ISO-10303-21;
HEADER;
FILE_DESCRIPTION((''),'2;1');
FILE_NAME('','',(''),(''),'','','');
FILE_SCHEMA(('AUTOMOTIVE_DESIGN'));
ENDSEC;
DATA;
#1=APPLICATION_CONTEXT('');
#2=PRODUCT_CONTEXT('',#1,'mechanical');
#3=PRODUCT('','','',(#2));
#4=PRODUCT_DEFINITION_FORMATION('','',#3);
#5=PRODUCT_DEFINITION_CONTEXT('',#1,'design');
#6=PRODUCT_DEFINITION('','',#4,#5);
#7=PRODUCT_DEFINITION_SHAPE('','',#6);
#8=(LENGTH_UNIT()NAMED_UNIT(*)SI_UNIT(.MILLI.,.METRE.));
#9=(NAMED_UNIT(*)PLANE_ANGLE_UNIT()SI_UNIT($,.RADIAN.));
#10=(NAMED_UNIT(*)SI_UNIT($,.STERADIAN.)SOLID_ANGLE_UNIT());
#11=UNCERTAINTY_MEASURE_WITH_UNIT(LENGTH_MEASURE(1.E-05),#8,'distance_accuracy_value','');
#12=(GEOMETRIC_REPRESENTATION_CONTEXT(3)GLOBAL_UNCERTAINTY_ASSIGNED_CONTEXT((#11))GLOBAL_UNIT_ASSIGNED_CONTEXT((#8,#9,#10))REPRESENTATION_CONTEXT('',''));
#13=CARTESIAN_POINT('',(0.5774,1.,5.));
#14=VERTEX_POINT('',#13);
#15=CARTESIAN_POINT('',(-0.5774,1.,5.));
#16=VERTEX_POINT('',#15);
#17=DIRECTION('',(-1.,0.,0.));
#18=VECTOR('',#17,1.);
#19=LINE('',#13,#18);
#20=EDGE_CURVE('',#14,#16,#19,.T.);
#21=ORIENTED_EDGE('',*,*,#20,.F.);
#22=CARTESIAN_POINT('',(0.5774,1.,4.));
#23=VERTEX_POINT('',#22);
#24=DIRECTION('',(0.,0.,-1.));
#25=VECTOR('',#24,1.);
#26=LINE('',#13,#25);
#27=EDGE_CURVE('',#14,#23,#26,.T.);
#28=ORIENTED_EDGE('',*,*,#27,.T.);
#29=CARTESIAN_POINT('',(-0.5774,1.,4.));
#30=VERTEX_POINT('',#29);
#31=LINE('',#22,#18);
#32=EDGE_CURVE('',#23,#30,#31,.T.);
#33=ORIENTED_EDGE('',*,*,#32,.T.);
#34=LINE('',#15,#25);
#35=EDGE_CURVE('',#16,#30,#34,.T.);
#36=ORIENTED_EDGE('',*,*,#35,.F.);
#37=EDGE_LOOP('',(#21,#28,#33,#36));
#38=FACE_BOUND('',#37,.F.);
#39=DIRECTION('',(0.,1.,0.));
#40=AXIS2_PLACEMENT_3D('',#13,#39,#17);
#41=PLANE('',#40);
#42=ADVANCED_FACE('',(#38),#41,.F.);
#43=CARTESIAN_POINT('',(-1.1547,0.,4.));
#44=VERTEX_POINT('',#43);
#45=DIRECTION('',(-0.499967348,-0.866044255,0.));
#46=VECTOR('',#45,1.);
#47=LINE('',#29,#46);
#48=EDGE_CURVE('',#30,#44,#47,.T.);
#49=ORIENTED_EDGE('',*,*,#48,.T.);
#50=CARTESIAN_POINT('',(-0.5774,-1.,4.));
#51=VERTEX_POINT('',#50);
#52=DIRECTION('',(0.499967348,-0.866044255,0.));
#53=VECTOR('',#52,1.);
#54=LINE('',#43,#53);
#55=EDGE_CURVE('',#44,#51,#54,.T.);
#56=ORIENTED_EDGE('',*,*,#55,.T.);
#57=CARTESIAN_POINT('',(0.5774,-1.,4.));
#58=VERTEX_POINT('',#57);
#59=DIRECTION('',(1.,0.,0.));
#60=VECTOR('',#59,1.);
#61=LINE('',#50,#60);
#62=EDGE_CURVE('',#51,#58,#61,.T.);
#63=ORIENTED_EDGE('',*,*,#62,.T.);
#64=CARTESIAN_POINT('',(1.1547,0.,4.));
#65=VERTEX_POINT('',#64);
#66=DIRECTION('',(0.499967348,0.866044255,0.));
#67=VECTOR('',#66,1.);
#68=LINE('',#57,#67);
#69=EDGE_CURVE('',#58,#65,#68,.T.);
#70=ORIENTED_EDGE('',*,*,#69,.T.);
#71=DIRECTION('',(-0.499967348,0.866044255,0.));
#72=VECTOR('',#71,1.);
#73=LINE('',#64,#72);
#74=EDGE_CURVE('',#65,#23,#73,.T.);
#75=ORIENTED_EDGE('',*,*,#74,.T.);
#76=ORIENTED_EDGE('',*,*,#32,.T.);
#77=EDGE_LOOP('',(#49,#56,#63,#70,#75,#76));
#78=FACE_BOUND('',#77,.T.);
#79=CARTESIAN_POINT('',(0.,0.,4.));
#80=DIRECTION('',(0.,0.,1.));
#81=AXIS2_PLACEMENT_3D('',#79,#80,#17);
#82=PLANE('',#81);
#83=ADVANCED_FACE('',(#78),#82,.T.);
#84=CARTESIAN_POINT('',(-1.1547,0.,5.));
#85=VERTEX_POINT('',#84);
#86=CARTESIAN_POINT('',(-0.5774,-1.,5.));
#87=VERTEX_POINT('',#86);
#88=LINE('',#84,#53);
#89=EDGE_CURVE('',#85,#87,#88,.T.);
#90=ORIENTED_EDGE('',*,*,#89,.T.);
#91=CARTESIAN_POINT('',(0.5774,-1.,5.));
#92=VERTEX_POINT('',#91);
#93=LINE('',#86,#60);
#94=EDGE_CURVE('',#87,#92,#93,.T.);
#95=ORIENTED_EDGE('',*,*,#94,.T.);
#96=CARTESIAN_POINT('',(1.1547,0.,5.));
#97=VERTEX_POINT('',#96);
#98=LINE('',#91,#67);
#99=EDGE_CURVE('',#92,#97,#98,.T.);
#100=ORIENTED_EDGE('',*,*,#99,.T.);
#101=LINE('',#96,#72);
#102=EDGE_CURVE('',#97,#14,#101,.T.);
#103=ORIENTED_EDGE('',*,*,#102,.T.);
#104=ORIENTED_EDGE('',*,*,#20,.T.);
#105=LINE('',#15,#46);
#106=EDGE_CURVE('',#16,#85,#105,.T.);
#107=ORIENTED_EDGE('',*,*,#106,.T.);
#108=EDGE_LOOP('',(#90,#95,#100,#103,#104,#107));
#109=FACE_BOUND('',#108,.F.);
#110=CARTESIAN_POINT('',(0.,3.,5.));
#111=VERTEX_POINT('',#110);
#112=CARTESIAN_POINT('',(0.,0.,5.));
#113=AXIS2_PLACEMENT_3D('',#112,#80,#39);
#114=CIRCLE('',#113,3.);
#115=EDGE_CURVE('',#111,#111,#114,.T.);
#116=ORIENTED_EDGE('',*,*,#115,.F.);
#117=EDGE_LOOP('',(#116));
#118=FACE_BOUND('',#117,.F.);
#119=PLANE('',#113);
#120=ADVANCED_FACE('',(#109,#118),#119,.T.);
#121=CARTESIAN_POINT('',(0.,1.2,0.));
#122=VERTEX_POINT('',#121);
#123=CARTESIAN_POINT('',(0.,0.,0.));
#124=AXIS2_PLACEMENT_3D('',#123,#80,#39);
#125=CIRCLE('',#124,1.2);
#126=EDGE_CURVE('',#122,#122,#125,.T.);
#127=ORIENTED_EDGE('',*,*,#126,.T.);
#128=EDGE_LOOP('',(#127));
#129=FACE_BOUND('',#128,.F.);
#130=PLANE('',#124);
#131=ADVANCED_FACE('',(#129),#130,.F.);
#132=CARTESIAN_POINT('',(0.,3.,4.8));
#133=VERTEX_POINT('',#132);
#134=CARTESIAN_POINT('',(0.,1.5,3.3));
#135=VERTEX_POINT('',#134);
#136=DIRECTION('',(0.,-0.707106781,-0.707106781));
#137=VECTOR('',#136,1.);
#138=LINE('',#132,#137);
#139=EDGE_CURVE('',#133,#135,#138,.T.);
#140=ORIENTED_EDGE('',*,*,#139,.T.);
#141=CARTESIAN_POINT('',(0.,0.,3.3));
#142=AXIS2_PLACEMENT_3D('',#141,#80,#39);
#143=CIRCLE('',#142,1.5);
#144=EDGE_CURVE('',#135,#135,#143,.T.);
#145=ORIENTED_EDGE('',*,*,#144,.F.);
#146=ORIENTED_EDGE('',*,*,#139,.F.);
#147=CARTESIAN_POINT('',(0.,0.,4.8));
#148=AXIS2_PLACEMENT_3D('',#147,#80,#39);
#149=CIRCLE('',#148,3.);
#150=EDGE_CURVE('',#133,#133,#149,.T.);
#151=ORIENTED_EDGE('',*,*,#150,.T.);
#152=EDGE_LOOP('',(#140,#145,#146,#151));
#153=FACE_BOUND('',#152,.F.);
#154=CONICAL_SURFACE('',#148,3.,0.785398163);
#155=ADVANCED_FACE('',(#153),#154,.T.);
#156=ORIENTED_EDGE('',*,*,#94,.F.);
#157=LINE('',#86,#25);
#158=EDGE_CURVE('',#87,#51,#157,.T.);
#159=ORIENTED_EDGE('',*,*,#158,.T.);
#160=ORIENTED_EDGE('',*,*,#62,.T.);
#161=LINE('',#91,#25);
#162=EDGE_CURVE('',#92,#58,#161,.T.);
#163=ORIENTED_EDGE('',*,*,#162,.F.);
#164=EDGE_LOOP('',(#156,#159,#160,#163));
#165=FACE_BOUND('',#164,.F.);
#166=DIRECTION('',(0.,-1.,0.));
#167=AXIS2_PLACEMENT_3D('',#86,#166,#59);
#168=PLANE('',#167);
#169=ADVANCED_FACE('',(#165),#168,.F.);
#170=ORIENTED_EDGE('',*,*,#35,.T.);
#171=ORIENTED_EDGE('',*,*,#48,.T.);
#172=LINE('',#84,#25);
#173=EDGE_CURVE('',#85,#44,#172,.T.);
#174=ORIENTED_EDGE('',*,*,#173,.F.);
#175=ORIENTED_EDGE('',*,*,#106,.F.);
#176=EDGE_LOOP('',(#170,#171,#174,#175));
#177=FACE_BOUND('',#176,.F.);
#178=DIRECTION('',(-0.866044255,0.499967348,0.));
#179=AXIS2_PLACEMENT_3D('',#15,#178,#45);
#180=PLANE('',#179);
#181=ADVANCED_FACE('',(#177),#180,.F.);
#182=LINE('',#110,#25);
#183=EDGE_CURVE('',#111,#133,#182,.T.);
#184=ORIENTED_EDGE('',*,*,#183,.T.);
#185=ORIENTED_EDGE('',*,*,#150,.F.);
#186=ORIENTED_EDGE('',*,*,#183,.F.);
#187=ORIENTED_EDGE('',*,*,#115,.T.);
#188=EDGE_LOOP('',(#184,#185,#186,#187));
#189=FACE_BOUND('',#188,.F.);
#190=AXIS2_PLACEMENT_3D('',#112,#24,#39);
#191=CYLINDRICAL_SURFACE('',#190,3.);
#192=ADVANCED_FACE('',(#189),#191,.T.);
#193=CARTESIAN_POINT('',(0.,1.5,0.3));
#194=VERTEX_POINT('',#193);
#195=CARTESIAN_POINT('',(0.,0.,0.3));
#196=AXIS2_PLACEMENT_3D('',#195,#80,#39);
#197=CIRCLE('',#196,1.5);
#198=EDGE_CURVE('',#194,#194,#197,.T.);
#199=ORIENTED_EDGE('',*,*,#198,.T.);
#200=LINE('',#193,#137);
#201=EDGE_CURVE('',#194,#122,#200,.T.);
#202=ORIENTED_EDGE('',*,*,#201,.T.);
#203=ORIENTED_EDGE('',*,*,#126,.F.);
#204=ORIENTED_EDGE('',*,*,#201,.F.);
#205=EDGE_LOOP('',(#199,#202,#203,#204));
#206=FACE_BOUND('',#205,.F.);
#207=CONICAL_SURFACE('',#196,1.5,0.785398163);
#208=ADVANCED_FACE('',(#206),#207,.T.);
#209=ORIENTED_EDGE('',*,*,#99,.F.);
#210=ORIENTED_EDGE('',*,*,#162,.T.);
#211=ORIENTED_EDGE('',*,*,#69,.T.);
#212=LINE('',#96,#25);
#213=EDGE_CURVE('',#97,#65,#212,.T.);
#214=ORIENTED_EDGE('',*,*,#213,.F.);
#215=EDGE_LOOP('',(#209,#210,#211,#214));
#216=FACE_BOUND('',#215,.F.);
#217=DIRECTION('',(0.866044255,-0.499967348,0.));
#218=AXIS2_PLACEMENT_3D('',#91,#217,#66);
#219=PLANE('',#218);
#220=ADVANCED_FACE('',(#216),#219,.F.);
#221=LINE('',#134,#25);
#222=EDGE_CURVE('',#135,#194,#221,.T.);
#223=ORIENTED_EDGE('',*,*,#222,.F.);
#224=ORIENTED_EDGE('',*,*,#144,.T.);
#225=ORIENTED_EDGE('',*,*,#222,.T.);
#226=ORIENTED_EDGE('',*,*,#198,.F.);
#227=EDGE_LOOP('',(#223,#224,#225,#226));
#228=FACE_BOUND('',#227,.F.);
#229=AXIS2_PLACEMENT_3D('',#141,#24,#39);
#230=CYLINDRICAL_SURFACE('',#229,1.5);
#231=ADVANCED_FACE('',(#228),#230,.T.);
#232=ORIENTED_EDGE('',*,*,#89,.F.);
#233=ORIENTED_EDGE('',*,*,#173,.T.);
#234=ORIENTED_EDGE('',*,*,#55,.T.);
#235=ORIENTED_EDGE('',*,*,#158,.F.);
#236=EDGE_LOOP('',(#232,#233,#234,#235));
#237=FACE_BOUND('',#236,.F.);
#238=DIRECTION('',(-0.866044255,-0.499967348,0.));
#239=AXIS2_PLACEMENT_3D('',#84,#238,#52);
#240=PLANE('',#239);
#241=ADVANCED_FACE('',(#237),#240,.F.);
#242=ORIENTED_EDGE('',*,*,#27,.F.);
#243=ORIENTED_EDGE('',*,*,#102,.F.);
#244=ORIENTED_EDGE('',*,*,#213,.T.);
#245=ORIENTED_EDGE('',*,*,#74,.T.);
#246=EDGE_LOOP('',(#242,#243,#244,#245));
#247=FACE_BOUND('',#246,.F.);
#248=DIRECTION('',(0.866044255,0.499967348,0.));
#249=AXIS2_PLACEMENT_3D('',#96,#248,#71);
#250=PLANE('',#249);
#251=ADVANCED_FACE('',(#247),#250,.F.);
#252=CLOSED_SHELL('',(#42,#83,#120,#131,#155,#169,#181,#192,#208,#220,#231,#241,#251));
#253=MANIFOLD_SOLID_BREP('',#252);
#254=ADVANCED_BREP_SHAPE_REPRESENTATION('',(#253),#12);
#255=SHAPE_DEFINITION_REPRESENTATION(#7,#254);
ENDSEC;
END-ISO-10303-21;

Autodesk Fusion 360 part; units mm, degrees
sketch "Sketch1" plane through (0, 0, 0) normal (1, 0, 0) x (0, 1, 0)
  line L0 (0, 5) -> (3, 5)
  line L1 (3, 5) -> (3, 4.8)
  line L2 (3, 4.8) -> (1.5, 3.3)
  line L3 (1.5, 3.3) -> (1.5, 0.3)
  line L4 (1.2, 0) -> (0, 0)
  line L5 (0, 0) -> (0, 5)
  line L6 (1.5, 0.3) -> (1.2, 0)
  point P0 (1.5, 0)
  dimension "d1" = 1.5
  dimension "d3" = 5
  dimension "d4" = 1.7
  dimension "d5" = 135
  dimension "d6" = 3
  dimension "d9" = 0.3
  dimension "d10" = 0.3
revolve "Revolve1" add sketch "Sketch1" angle 360 about axis through (0, 0, 0) along (0, 0, 1)
sketch "Sketch2" plane through (0, 0, 5) normal (0, 0, 1) x (-1, 0, 0)
  circle A0 centre (0, 0) radius 3
  line L0 (0.5774, -1) -> (1.1547, 0)
  line L1 (1.1547, 0) -> (0.5774, 1)
  line L2 (0.5774, 1) -> (-0.5774, 1)
  line L3 (-0.5774, 1) -> (-1.1547, 0)
  line L4 (-1.1547, 0) -> (-0.5774, -1)
  line L5 (-0.5774, -1) -> (0.5774, -1)
  dimension "d11" = 1
extrude "Extrude1" cut sketch "Sketch2" against normal blind 1 contours L0 L1 L2 L3 L4 L5
equation "d1 = ( 3 / 2 ) * 1 mm"
equation "d3 = Length"
equation "d4 = Head_Length"
equation "d6 = Head_Diameter / 2"
equation "Length = 5 mm"
equation "d10 = d9"
equation "Head_Diameter = 6 mm"
equation "Head_Length = 1.7 mm"
properties part number "M3x5mm FHCS"
